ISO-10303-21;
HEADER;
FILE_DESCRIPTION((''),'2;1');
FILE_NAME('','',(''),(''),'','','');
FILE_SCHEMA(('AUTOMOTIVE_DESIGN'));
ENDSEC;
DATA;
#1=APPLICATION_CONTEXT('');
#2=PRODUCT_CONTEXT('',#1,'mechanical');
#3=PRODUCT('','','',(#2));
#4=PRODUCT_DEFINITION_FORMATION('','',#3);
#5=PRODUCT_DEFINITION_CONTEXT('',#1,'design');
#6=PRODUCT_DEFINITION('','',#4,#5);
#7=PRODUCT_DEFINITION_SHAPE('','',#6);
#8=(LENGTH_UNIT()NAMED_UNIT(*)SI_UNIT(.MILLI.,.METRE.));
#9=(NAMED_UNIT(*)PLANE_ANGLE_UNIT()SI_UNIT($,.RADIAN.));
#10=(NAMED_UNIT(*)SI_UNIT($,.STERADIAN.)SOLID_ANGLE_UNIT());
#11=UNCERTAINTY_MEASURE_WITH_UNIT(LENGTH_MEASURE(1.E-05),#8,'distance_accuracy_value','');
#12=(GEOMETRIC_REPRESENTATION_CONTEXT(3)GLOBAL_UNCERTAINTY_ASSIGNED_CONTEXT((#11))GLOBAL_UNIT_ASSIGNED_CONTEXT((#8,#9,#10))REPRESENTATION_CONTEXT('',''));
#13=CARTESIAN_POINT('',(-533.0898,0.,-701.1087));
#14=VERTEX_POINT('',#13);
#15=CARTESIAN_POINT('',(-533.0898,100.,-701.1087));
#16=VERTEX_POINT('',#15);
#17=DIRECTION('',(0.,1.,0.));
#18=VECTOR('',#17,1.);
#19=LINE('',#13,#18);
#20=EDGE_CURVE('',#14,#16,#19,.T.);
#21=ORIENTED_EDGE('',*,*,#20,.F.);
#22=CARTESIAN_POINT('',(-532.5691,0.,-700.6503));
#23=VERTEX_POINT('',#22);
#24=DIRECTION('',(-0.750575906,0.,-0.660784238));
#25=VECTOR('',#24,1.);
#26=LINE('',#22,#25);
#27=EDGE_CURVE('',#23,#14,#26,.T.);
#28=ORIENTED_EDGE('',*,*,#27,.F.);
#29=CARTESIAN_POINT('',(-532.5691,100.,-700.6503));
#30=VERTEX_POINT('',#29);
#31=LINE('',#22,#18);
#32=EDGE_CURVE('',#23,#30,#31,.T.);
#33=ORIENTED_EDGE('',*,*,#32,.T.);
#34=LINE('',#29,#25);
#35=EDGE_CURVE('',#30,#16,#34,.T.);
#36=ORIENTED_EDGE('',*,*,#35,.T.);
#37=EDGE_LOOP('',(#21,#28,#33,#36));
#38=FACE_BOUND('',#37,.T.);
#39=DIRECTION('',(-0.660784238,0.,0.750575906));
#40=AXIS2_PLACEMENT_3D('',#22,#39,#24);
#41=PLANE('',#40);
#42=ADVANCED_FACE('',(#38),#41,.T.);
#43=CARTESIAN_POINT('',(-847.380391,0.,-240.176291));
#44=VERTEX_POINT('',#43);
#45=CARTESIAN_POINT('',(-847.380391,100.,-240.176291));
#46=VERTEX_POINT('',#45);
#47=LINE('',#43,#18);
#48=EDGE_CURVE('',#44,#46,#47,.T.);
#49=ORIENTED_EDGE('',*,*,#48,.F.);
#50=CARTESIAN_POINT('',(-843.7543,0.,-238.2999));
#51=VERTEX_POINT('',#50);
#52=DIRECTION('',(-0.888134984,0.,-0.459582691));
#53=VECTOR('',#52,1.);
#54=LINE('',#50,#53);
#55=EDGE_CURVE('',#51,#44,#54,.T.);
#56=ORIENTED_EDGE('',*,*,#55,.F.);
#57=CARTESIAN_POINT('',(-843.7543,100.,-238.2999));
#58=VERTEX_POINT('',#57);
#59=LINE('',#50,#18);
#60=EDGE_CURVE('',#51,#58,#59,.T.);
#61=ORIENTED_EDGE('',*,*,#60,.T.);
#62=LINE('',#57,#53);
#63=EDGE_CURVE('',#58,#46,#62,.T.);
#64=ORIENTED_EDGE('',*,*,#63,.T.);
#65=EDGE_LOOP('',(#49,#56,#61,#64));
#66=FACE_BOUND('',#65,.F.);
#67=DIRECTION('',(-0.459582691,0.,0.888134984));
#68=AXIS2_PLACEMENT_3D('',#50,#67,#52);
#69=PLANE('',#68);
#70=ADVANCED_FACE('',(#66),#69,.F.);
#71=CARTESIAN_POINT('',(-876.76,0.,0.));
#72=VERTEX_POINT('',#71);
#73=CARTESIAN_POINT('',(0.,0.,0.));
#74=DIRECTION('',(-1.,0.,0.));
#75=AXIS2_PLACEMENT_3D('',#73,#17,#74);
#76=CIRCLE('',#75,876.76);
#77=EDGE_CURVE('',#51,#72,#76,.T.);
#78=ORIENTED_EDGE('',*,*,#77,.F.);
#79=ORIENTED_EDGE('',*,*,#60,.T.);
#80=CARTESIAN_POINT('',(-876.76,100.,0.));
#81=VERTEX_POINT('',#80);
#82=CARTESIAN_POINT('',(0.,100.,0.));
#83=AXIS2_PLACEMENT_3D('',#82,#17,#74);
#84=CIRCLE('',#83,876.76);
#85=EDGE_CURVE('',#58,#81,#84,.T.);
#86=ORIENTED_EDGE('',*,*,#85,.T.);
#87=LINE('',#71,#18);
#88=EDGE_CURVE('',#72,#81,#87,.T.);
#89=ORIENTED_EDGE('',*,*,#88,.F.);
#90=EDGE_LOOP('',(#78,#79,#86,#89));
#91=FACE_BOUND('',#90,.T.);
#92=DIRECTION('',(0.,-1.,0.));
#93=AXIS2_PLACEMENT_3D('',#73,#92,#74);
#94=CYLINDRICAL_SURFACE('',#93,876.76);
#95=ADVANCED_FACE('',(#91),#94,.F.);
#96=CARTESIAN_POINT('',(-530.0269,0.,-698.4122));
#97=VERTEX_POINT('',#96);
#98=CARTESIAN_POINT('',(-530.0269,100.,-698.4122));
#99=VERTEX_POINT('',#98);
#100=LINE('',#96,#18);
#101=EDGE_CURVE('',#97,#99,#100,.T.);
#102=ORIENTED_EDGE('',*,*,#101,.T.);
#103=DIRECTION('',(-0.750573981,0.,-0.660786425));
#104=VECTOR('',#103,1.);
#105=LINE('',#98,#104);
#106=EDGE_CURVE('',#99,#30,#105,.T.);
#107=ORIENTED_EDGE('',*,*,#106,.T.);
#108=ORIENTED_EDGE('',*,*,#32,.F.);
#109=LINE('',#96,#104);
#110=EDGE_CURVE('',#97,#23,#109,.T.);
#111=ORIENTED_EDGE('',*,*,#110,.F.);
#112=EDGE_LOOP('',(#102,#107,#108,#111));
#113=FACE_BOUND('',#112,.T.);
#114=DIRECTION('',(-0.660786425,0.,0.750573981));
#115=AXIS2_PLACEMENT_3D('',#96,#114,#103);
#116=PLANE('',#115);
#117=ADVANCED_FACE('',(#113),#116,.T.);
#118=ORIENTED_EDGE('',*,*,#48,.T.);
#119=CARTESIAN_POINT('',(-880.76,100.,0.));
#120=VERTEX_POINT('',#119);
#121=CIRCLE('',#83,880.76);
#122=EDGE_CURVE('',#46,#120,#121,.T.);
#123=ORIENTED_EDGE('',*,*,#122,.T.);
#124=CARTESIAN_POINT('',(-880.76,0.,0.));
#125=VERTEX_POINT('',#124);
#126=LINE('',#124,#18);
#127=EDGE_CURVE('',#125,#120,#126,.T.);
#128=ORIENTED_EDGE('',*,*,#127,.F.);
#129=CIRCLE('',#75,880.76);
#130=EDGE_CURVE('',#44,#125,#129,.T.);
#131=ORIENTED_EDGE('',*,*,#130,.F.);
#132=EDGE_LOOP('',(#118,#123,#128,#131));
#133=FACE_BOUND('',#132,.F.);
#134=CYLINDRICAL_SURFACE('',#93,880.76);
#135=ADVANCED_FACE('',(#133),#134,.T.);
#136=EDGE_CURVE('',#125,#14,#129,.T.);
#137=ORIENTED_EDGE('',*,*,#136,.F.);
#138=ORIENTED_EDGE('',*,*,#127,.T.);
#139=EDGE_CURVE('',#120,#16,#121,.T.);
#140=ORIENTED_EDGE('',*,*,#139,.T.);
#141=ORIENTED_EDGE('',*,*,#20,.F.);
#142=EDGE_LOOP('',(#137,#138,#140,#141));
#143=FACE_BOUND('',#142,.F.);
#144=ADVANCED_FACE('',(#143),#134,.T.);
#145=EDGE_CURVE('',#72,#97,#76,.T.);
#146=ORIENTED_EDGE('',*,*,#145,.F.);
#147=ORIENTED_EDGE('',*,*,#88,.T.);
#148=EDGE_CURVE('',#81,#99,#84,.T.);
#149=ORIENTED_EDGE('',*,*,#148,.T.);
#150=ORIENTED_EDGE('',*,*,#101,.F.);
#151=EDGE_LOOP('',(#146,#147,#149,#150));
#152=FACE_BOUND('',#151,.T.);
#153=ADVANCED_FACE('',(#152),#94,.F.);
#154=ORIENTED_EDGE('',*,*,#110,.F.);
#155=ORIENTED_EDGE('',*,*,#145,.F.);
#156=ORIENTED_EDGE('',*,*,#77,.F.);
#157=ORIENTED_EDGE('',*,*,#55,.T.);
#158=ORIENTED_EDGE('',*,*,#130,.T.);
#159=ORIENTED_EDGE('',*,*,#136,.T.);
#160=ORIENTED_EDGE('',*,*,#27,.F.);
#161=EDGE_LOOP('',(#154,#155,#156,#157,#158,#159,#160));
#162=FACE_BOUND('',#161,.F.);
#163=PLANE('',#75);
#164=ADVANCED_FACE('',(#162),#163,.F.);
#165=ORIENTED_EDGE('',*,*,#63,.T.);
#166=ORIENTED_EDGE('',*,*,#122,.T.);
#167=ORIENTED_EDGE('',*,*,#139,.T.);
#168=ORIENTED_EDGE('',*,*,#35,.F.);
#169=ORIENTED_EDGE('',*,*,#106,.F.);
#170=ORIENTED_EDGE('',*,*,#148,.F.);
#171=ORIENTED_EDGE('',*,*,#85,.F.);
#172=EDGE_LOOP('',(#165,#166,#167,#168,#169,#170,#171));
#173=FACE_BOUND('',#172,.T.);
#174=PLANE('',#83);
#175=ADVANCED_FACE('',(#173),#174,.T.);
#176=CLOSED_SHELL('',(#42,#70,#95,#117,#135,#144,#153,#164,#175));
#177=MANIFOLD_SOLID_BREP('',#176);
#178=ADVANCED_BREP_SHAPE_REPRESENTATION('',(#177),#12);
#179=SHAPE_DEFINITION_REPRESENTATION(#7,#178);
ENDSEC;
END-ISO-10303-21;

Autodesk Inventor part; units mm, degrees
ref_plane "YZ Plane" through (0, 0, 0) normal (1, 0, 0) x (0, 1, 0)
ref_plane "XZ Plane" through (0, 0, 0) normal (0, 1, 0) x (-1, 0, 0)
ref_plane "XY Plane" through (0, 0, 0) normal (0, 0, 1) x (1, 0, 0)
sketch "Sketch1" plane through (0, 0, 0) normal (0, 1, 0) x (-1, 0, 0)
  circle A0 centre (0, 0) radius 880.76
  circle A1 centre (0, 0) radius 876.76
  dimension "d8" = 1761.52
  dimension "d9" = 1753.52
extrude "Extrusion1" add sketch "Sketch1" along normal blind 100
sketch "Sketch2" plane through (0, 0, 0) normal (0, -1, 0) x (1, 0, 0)
  line L0 (-1152.0036, -397.8062) -> (-847.3835, -240.1779) projected
  line L1 (-532.5691, -700.6503) -> (-790.0004, -927.285) projected
  circle A0 centre (0, 0) radius 876.76 projected
  line L2 (-530.0269, -698.4122) -> (-533.0898, -701.1087)
  circle A1 centre (0, 0) radius 880.76 projected
  line L3 (-843.7543, -238.2999) -> (-847.3835, -240.1779)
  point P0 (-847.3804, -240.1763)
extrude "Extrusion2" cut sketch "Sketch2" against normal blind 100 contours L1 A1 L3 A0 L2 picked at (-840.9972, -251.8211)
properties part number "Edge Band - Platform E Inner" material "Wood (Birch)"
